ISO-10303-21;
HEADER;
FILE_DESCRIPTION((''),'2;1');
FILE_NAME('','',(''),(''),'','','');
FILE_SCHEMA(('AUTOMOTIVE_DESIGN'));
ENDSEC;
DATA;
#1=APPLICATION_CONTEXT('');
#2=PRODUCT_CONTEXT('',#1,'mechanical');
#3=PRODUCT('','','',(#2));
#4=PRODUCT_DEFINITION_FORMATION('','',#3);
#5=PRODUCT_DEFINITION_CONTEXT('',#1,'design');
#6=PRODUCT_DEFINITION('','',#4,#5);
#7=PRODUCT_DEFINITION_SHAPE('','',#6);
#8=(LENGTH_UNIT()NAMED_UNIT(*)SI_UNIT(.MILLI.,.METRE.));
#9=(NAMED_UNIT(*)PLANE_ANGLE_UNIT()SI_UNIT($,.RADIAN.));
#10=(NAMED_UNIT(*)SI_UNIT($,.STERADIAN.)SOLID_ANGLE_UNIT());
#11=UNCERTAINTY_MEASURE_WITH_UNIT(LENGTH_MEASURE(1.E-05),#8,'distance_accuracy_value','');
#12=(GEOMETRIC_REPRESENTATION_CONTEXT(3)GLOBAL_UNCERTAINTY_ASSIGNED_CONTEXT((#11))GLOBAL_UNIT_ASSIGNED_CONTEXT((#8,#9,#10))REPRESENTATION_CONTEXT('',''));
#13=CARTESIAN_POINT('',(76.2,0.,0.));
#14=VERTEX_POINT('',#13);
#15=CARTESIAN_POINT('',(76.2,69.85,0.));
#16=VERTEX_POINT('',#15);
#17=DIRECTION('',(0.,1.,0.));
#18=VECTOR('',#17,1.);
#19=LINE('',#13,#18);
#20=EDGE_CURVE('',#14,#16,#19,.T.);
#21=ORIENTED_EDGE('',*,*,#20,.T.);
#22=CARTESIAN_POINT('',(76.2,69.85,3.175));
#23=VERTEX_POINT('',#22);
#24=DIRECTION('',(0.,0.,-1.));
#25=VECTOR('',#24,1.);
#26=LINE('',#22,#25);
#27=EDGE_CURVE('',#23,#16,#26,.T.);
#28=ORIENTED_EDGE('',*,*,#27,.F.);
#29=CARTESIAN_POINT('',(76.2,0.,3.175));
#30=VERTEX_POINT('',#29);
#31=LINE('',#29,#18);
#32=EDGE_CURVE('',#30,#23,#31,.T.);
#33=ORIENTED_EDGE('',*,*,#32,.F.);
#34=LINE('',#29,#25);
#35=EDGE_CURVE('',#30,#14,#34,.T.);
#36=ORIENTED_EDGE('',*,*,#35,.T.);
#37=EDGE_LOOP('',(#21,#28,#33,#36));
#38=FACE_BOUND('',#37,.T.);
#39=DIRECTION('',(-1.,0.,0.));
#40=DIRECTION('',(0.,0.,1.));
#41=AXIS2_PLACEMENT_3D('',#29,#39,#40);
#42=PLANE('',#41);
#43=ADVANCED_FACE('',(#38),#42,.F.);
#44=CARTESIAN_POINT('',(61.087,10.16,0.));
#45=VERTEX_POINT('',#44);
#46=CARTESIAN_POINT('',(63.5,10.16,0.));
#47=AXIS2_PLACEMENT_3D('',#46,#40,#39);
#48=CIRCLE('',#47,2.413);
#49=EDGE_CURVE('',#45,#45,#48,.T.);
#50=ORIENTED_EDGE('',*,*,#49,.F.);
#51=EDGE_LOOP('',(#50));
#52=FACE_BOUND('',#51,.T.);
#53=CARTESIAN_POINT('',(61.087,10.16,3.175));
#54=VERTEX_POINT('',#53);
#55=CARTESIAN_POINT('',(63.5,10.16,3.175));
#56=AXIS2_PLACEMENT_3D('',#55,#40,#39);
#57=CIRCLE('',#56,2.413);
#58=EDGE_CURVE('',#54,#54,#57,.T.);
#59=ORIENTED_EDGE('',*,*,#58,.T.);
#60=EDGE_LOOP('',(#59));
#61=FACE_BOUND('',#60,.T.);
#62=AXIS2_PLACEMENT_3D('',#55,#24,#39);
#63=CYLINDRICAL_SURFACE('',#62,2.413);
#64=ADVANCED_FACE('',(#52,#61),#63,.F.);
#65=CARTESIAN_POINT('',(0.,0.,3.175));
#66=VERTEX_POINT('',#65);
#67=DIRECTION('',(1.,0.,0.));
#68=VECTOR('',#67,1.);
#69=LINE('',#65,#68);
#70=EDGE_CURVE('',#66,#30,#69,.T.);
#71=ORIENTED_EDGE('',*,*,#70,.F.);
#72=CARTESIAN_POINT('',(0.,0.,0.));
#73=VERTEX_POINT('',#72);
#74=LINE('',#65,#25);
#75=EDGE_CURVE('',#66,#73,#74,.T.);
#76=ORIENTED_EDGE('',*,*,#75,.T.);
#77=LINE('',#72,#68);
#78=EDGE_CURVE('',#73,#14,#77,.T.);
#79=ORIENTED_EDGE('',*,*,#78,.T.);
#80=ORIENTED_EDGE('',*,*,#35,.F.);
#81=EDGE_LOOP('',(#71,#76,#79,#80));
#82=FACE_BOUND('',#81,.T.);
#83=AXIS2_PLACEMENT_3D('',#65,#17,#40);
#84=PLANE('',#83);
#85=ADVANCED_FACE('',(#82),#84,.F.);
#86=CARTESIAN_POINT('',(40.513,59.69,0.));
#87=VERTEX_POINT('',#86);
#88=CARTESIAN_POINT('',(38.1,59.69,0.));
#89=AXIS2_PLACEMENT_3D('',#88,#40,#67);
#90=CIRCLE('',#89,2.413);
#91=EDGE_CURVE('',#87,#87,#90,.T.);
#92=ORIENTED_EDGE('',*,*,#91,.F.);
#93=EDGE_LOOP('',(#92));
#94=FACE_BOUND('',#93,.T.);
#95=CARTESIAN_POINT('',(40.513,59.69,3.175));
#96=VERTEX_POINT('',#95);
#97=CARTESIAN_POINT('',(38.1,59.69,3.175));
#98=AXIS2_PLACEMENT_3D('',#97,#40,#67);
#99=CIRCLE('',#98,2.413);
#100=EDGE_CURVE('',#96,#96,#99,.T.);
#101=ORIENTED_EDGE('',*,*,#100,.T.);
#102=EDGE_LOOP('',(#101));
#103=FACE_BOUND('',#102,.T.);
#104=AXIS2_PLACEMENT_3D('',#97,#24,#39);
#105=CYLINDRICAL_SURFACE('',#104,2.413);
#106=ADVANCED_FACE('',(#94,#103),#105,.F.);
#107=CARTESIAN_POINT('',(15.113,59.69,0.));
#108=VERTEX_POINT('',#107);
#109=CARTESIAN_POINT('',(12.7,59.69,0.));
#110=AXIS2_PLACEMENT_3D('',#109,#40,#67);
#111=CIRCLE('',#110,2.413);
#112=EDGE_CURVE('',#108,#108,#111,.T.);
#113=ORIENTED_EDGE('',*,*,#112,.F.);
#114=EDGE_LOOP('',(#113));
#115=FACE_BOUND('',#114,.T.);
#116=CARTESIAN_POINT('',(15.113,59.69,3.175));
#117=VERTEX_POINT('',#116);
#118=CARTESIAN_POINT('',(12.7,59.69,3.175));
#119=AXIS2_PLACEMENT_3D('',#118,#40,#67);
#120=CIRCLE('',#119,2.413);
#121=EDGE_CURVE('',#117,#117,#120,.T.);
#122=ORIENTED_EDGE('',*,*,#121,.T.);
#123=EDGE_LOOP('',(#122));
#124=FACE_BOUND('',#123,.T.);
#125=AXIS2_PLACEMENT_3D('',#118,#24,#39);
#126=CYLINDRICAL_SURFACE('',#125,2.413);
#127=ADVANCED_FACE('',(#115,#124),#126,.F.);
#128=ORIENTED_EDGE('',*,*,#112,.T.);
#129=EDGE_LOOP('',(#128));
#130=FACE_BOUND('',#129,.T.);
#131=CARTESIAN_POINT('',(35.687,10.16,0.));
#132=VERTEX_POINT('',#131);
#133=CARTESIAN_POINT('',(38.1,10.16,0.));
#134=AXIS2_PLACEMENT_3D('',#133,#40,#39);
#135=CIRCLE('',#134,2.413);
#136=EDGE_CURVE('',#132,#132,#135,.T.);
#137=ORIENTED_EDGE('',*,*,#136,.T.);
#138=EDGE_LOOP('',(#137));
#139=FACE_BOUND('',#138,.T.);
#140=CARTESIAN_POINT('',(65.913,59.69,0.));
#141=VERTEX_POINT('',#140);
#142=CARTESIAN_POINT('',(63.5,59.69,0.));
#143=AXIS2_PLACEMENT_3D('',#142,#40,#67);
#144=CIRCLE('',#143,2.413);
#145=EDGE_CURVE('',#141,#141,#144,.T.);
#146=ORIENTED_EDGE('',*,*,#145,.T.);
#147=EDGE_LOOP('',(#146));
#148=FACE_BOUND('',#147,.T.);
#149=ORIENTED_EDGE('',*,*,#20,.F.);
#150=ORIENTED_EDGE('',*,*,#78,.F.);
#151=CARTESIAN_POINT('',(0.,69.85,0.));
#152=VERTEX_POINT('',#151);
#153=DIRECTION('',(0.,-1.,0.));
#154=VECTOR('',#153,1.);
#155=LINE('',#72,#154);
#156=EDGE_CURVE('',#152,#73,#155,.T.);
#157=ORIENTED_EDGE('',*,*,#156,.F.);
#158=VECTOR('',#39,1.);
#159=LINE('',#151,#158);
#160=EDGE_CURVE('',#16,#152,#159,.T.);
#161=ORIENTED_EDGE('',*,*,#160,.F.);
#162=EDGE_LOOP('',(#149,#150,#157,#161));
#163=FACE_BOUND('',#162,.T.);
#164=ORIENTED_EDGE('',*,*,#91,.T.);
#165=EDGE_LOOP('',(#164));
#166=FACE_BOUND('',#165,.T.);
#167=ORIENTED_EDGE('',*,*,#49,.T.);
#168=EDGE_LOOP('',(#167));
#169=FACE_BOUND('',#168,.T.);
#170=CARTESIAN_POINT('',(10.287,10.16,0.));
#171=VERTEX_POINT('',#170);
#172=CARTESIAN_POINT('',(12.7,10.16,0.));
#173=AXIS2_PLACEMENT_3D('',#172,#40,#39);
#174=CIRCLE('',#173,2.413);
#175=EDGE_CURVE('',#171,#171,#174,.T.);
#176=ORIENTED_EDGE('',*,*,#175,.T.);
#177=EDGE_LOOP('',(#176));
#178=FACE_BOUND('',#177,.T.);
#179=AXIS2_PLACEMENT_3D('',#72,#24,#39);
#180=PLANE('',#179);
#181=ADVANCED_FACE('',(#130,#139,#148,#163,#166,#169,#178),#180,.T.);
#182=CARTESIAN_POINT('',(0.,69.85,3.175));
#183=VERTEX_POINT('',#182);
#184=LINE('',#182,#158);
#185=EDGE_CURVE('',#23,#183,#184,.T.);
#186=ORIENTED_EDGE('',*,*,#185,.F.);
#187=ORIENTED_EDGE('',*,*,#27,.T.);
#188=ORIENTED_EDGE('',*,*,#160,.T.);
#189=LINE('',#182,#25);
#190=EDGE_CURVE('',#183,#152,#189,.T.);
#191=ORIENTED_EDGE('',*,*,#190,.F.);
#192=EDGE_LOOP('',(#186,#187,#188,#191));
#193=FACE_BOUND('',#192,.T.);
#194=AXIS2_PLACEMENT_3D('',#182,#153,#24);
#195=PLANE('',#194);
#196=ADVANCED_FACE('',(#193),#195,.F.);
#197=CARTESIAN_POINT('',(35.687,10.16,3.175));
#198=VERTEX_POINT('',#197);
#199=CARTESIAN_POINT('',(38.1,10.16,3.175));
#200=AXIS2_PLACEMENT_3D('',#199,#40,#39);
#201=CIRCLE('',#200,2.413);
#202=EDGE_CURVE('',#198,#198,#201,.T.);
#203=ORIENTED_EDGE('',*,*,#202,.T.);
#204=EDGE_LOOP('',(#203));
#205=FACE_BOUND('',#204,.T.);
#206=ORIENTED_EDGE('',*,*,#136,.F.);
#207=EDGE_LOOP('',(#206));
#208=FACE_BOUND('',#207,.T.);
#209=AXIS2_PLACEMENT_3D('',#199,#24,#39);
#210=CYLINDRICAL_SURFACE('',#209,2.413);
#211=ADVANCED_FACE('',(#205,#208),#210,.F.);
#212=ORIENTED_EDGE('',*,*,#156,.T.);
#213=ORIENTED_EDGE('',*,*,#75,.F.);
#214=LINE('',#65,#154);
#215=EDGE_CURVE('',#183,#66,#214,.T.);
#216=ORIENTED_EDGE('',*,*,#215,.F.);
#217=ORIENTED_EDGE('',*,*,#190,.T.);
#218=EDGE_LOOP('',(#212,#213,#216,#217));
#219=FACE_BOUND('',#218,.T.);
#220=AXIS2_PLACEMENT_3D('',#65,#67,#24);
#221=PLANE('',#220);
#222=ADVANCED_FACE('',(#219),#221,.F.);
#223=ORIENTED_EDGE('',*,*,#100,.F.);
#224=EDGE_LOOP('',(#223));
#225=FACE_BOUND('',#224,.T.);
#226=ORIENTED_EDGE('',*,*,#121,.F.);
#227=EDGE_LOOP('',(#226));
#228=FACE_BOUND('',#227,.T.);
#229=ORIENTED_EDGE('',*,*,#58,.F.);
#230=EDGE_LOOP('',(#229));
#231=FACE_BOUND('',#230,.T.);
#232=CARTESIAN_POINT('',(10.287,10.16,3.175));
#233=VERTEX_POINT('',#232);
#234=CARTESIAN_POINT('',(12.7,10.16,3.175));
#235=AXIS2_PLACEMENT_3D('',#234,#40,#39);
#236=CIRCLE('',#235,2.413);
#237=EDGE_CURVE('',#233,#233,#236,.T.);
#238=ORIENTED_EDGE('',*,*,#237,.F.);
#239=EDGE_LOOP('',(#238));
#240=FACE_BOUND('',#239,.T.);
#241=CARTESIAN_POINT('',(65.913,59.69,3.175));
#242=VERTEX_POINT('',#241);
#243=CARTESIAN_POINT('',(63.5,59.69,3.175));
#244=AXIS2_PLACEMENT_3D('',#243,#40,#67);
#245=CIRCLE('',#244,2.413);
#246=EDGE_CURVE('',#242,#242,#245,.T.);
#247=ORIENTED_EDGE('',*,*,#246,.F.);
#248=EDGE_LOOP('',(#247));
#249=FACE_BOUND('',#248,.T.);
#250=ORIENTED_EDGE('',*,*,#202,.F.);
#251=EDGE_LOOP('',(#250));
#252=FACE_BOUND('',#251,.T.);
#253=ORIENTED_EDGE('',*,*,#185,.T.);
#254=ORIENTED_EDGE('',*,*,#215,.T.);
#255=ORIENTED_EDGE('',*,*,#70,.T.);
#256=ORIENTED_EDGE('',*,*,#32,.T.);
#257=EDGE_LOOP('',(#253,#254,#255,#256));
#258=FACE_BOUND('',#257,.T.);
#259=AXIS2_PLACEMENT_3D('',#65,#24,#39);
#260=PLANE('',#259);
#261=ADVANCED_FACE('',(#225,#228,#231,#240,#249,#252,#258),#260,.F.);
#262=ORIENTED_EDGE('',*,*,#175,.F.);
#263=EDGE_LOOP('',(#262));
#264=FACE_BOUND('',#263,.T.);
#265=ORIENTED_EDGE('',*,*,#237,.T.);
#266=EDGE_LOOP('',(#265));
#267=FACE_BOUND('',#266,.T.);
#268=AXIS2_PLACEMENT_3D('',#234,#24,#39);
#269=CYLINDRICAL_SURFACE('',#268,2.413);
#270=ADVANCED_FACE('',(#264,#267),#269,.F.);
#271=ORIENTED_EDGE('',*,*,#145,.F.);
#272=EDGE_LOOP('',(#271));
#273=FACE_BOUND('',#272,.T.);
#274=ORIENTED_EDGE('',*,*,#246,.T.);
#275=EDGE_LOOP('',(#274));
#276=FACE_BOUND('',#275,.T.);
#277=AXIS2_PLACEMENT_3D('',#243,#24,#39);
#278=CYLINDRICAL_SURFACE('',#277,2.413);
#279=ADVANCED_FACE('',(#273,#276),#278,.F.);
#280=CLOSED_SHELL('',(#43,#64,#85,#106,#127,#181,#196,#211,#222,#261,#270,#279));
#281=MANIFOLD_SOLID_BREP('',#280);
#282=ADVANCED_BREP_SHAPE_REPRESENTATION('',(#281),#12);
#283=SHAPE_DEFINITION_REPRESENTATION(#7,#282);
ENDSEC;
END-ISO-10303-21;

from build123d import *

# Parameters (mm, degrees)
SKETCH1_W           = 76.2
SKETCH1_H           = 69.85
SKETCH1_R           = 2.413
BOSS_EXTRUDE1_DEPTH = 3.175


with BuildPart() as part:
    # Sketch1 → Boss-Extrude1 (new body)
    with BuildSketch(Plane.XY):
        with Locations((38.1, 34.925)):
            Rectangle(SKETCH1_W, SKETCH1_H)
        with Locations((12.7, 59.69)):
            Circle(SKETCH1_R, mode=Mode.SUBTRACT)
        with Locations((38.1, 59.69)):
            Circle(SKETCH1_R, mode=Mode.SUBTRACT)
        with Locations((63.5, 59.69)):
            Circle(SKETCH1_R, mode=Mode.SUBTRACT)
        with Locations(Location((63.5, 10.16, 0), (0, 0, 180))):
            Circle(SKETCH1_R, mode=Mode.SUBTRACT)
        with Locations(Location((38.1, 10.16, 0), (0, 0, 180))):
            Circle(SKETCH1_R, mode=Mode.SUBTRACT)
        with Locations(Location((12.7, 10.16, 0), (0, 0, 180))):
            Circle(SKETCH1_R, mode=Mode.SUBTRACT)
    extrude(amount=BOSS_EXTRUDE1_DEPTH)


solid = part.part
